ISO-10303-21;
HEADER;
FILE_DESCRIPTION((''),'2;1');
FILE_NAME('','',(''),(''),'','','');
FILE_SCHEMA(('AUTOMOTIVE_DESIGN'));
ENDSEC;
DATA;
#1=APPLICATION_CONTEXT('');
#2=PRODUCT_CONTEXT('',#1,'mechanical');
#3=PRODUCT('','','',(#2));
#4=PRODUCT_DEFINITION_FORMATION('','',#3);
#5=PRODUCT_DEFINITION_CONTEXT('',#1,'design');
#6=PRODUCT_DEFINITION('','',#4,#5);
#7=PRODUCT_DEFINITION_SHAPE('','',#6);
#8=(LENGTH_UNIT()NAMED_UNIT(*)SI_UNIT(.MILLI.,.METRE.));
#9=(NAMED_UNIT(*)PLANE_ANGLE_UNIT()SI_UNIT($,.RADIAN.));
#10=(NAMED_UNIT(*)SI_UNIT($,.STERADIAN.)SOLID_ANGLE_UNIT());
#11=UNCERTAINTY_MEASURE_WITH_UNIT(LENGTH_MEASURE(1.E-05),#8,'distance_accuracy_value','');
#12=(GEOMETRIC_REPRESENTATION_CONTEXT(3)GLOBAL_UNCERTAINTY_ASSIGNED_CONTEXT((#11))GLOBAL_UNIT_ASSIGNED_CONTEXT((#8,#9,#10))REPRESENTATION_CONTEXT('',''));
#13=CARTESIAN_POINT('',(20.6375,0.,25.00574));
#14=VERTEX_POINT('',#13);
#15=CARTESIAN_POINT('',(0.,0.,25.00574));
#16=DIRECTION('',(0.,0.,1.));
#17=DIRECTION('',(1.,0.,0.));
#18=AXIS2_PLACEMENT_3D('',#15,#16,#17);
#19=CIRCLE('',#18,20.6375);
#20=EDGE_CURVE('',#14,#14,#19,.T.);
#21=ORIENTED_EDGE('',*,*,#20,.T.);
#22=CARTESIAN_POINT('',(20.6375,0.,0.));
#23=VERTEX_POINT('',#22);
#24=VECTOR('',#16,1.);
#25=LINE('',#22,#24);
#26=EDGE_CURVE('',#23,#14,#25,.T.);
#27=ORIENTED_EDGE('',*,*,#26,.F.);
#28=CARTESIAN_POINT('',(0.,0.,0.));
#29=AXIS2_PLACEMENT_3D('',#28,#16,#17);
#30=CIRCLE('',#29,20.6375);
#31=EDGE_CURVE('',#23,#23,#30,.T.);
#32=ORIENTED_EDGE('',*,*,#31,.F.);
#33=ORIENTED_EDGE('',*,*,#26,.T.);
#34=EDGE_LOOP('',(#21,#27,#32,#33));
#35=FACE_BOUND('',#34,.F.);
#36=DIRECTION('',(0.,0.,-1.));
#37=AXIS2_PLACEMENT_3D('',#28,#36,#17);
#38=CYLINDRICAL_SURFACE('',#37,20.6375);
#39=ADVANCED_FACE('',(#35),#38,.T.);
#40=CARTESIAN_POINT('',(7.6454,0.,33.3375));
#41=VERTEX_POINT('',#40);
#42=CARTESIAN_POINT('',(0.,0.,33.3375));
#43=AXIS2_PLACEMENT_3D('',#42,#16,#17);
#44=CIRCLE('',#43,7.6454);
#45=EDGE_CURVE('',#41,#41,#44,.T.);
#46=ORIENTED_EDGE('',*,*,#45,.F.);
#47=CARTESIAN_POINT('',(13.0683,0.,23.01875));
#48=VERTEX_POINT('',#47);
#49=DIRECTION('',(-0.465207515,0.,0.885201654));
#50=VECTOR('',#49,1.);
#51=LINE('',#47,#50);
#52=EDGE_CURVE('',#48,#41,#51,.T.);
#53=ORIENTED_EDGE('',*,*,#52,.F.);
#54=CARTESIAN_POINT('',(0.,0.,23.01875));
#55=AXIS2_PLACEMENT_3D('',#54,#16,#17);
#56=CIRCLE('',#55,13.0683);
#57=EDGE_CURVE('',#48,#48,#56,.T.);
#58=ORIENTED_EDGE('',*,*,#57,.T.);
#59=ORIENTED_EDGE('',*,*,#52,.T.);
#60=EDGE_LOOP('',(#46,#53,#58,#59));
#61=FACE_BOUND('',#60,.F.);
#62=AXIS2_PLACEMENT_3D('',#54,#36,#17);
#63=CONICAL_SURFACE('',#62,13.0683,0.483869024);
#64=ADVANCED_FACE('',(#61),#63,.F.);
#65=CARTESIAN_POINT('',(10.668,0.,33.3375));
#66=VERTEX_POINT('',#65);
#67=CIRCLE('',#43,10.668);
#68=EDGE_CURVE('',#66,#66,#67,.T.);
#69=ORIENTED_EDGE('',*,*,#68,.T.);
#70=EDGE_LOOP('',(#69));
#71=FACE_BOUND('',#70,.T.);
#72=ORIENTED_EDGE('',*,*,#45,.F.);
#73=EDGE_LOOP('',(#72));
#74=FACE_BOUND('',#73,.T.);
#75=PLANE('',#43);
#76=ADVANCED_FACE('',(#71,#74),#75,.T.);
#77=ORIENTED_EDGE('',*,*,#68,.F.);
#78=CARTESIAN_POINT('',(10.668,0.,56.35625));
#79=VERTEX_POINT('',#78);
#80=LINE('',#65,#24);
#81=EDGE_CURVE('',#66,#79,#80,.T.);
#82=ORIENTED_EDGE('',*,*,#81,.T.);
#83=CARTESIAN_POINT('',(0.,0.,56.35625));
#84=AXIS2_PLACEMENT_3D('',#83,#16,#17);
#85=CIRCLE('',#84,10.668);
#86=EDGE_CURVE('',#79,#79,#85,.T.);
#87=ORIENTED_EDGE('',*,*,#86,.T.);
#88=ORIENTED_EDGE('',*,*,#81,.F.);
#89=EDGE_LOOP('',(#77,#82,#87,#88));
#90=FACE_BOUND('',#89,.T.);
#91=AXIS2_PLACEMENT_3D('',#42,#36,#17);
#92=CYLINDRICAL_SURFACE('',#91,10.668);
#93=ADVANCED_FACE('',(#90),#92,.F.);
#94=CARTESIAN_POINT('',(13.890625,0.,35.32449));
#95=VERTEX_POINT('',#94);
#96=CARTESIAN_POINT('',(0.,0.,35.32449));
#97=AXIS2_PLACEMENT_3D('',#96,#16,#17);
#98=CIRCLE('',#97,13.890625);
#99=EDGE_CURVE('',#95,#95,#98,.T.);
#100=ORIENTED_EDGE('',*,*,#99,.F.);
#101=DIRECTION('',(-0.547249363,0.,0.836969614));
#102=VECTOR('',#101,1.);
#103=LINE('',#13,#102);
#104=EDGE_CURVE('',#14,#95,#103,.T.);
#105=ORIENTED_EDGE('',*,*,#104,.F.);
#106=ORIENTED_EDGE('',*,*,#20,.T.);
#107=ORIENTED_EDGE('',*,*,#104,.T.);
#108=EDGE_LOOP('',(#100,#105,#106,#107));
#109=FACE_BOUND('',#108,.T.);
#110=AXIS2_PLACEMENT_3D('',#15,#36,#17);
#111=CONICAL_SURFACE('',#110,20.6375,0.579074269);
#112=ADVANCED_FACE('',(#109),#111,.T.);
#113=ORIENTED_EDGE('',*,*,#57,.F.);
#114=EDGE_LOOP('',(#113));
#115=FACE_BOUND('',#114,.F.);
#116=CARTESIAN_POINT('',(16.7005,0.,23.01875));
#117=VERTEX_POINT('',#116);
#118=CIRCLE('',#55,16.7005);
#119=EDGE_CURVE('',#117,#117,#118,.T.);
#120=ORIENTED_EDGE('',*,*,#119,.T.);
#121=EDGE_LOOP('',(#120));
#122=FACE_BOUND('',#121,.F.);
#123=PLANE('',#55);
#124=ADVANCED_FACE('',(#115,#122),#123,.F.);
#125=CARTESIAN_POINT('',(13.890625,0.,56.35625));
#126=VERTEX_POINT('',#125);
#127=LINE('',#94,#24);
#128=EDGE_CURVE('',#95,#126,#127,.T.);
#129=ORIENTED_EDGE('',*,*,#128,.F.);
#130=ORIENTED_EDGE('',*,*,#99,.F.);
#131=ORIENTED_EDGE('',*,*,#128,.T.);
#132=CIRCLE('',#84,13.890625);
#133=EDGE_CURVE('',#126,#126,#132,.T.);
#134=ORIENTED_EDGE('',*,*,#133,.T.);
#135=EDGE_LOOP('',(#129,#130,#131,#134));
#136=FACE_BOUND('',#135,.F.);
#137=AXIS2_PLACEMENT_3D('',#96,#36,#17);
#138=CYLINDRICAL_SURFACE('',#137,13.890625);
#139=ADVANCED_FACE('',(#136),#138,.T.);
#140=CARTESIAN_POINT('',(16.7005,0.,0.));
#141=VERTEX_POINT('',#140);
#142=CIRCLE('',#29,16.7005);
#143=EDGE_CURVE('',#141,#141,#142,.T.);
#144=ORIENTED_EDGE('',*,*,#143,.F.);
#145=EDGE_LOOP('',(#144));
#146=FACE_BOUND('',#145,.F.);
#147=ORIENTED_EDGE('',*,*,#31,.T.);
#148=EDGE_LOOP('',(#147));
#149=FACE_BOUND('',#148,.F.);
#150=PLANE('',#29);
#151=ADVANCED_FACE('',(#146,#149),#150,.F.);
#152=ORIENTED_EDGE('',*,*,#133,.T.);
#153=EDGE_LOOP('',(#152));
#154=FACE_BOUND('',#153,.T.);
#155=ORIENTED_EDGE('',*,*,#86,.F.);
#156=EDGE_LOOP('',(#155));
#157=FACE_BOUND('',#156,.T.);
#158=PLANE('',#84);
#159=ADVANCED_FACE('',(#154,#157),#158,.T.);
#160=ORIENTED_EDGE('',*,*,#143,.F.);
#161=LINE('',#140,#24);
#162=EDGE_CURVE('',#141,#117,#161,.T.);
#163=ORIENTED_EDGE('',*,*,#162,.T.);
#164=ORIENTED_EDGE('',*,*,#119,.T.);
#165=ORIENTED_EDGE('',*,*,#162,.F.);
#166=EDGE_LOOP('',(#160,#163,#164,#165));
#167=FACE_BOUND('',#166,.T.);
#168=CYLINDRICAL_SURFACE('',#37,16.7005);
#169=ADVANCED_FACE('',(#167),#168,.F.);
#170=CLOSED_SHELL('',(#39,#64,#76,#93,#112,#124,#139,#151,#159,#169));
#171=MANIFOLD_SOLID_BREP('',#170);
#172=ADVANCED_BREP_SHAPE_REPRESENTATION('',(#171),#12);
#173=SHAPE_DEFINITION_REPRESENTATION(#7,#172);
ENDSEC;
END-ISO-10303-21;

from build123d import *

# Parameters (mm, degrees)
CYLINDER2I_R     = 10.668
CYLINDER2I_DEPTH = 23.01875
CYLINDER1I_R     = 16.7005
CYLINDER1I_DEPTH = 23.01875
CYLINDER2_R      = 13.890625
CYLINDER2_DEPTH  = 21.03176
CYLINDER1_R      = 20.6375
CYLINDER1_DEPTH  = 25.00574


with BuildPart() as cone001:
    # Cone001 → Cone001 (revolve)
    with BuildSketch(Plane(origin=(0, 0, 23.01875), x_dir=(1, 0, 0), z_dir=(0, -1, 0))):
        Polygon((0, 0), (13.0683, 0), (7.6454, 10.31875), (0, 10.31875), align=None)
    revolve(axis=Axis((0, 0, 23.01875), (0, 0, 1)))


with BuildPart() as cylinder2i:
    # Cylinder2i → Cylinder2i (new body)
    with BuildSketch(Plane.XY.offset(33.3375)):
        Circle(CYLINDER2I_R)
    extrude(amount=CYLINDER2I_DEPTH)


with BuildPart() as innerparts:
    # Cylinder1i → Cylinder1i (new body)
    with BuildSketch(Plane.XY):
        Circle(CYLINDER1I_R)
    extrude(amount=CYLINDER1I_DEPTH)

    # InnerParts: union Cone001, Cylinder2i
    add(cone001.part)
    add(cylinder2i.part)


with BuildPart() as cone:
    # Cone → Cone (revolve)
    with BuildSketch(Plane(origin=(0, 0, 25.00574), x_dir=(1, 0, 0), z_dir=(0, -1, 0))):
        Polygon((0, 0), (20.6375, 0), (13.890625, 10.31875), (0, 10.31875), align=None)
    revolve(axis=Axis((0, 0, 25.00574), (0, 0, 1)))


with BuildPart() as cylinder2:
    # Cylinder2 → Cylinder2 (new body)
    with BuildSketch(Plane.XY.offset(35.32449)):
        Circle(CYLINDER2_R)
    extrude(amount=CYLINDER2_DEPTH)


with BuildPart() as coupling:
    # Cylinder1 → Cylinder1 (new body)
    with BuildSketch(Plane.XY):
        Circle(CYLINDER1_R)
    extrude(amount=CYLINDER1_DEPTH)

    # OuterParts: union Cone, Cylinder2
    add(cone.part)
    add(cylinder2.part)

    # coupling: cut InnerParts
    add(innerparts.part, mode=Mode.SUBTRACT)


solid = coupling.part
